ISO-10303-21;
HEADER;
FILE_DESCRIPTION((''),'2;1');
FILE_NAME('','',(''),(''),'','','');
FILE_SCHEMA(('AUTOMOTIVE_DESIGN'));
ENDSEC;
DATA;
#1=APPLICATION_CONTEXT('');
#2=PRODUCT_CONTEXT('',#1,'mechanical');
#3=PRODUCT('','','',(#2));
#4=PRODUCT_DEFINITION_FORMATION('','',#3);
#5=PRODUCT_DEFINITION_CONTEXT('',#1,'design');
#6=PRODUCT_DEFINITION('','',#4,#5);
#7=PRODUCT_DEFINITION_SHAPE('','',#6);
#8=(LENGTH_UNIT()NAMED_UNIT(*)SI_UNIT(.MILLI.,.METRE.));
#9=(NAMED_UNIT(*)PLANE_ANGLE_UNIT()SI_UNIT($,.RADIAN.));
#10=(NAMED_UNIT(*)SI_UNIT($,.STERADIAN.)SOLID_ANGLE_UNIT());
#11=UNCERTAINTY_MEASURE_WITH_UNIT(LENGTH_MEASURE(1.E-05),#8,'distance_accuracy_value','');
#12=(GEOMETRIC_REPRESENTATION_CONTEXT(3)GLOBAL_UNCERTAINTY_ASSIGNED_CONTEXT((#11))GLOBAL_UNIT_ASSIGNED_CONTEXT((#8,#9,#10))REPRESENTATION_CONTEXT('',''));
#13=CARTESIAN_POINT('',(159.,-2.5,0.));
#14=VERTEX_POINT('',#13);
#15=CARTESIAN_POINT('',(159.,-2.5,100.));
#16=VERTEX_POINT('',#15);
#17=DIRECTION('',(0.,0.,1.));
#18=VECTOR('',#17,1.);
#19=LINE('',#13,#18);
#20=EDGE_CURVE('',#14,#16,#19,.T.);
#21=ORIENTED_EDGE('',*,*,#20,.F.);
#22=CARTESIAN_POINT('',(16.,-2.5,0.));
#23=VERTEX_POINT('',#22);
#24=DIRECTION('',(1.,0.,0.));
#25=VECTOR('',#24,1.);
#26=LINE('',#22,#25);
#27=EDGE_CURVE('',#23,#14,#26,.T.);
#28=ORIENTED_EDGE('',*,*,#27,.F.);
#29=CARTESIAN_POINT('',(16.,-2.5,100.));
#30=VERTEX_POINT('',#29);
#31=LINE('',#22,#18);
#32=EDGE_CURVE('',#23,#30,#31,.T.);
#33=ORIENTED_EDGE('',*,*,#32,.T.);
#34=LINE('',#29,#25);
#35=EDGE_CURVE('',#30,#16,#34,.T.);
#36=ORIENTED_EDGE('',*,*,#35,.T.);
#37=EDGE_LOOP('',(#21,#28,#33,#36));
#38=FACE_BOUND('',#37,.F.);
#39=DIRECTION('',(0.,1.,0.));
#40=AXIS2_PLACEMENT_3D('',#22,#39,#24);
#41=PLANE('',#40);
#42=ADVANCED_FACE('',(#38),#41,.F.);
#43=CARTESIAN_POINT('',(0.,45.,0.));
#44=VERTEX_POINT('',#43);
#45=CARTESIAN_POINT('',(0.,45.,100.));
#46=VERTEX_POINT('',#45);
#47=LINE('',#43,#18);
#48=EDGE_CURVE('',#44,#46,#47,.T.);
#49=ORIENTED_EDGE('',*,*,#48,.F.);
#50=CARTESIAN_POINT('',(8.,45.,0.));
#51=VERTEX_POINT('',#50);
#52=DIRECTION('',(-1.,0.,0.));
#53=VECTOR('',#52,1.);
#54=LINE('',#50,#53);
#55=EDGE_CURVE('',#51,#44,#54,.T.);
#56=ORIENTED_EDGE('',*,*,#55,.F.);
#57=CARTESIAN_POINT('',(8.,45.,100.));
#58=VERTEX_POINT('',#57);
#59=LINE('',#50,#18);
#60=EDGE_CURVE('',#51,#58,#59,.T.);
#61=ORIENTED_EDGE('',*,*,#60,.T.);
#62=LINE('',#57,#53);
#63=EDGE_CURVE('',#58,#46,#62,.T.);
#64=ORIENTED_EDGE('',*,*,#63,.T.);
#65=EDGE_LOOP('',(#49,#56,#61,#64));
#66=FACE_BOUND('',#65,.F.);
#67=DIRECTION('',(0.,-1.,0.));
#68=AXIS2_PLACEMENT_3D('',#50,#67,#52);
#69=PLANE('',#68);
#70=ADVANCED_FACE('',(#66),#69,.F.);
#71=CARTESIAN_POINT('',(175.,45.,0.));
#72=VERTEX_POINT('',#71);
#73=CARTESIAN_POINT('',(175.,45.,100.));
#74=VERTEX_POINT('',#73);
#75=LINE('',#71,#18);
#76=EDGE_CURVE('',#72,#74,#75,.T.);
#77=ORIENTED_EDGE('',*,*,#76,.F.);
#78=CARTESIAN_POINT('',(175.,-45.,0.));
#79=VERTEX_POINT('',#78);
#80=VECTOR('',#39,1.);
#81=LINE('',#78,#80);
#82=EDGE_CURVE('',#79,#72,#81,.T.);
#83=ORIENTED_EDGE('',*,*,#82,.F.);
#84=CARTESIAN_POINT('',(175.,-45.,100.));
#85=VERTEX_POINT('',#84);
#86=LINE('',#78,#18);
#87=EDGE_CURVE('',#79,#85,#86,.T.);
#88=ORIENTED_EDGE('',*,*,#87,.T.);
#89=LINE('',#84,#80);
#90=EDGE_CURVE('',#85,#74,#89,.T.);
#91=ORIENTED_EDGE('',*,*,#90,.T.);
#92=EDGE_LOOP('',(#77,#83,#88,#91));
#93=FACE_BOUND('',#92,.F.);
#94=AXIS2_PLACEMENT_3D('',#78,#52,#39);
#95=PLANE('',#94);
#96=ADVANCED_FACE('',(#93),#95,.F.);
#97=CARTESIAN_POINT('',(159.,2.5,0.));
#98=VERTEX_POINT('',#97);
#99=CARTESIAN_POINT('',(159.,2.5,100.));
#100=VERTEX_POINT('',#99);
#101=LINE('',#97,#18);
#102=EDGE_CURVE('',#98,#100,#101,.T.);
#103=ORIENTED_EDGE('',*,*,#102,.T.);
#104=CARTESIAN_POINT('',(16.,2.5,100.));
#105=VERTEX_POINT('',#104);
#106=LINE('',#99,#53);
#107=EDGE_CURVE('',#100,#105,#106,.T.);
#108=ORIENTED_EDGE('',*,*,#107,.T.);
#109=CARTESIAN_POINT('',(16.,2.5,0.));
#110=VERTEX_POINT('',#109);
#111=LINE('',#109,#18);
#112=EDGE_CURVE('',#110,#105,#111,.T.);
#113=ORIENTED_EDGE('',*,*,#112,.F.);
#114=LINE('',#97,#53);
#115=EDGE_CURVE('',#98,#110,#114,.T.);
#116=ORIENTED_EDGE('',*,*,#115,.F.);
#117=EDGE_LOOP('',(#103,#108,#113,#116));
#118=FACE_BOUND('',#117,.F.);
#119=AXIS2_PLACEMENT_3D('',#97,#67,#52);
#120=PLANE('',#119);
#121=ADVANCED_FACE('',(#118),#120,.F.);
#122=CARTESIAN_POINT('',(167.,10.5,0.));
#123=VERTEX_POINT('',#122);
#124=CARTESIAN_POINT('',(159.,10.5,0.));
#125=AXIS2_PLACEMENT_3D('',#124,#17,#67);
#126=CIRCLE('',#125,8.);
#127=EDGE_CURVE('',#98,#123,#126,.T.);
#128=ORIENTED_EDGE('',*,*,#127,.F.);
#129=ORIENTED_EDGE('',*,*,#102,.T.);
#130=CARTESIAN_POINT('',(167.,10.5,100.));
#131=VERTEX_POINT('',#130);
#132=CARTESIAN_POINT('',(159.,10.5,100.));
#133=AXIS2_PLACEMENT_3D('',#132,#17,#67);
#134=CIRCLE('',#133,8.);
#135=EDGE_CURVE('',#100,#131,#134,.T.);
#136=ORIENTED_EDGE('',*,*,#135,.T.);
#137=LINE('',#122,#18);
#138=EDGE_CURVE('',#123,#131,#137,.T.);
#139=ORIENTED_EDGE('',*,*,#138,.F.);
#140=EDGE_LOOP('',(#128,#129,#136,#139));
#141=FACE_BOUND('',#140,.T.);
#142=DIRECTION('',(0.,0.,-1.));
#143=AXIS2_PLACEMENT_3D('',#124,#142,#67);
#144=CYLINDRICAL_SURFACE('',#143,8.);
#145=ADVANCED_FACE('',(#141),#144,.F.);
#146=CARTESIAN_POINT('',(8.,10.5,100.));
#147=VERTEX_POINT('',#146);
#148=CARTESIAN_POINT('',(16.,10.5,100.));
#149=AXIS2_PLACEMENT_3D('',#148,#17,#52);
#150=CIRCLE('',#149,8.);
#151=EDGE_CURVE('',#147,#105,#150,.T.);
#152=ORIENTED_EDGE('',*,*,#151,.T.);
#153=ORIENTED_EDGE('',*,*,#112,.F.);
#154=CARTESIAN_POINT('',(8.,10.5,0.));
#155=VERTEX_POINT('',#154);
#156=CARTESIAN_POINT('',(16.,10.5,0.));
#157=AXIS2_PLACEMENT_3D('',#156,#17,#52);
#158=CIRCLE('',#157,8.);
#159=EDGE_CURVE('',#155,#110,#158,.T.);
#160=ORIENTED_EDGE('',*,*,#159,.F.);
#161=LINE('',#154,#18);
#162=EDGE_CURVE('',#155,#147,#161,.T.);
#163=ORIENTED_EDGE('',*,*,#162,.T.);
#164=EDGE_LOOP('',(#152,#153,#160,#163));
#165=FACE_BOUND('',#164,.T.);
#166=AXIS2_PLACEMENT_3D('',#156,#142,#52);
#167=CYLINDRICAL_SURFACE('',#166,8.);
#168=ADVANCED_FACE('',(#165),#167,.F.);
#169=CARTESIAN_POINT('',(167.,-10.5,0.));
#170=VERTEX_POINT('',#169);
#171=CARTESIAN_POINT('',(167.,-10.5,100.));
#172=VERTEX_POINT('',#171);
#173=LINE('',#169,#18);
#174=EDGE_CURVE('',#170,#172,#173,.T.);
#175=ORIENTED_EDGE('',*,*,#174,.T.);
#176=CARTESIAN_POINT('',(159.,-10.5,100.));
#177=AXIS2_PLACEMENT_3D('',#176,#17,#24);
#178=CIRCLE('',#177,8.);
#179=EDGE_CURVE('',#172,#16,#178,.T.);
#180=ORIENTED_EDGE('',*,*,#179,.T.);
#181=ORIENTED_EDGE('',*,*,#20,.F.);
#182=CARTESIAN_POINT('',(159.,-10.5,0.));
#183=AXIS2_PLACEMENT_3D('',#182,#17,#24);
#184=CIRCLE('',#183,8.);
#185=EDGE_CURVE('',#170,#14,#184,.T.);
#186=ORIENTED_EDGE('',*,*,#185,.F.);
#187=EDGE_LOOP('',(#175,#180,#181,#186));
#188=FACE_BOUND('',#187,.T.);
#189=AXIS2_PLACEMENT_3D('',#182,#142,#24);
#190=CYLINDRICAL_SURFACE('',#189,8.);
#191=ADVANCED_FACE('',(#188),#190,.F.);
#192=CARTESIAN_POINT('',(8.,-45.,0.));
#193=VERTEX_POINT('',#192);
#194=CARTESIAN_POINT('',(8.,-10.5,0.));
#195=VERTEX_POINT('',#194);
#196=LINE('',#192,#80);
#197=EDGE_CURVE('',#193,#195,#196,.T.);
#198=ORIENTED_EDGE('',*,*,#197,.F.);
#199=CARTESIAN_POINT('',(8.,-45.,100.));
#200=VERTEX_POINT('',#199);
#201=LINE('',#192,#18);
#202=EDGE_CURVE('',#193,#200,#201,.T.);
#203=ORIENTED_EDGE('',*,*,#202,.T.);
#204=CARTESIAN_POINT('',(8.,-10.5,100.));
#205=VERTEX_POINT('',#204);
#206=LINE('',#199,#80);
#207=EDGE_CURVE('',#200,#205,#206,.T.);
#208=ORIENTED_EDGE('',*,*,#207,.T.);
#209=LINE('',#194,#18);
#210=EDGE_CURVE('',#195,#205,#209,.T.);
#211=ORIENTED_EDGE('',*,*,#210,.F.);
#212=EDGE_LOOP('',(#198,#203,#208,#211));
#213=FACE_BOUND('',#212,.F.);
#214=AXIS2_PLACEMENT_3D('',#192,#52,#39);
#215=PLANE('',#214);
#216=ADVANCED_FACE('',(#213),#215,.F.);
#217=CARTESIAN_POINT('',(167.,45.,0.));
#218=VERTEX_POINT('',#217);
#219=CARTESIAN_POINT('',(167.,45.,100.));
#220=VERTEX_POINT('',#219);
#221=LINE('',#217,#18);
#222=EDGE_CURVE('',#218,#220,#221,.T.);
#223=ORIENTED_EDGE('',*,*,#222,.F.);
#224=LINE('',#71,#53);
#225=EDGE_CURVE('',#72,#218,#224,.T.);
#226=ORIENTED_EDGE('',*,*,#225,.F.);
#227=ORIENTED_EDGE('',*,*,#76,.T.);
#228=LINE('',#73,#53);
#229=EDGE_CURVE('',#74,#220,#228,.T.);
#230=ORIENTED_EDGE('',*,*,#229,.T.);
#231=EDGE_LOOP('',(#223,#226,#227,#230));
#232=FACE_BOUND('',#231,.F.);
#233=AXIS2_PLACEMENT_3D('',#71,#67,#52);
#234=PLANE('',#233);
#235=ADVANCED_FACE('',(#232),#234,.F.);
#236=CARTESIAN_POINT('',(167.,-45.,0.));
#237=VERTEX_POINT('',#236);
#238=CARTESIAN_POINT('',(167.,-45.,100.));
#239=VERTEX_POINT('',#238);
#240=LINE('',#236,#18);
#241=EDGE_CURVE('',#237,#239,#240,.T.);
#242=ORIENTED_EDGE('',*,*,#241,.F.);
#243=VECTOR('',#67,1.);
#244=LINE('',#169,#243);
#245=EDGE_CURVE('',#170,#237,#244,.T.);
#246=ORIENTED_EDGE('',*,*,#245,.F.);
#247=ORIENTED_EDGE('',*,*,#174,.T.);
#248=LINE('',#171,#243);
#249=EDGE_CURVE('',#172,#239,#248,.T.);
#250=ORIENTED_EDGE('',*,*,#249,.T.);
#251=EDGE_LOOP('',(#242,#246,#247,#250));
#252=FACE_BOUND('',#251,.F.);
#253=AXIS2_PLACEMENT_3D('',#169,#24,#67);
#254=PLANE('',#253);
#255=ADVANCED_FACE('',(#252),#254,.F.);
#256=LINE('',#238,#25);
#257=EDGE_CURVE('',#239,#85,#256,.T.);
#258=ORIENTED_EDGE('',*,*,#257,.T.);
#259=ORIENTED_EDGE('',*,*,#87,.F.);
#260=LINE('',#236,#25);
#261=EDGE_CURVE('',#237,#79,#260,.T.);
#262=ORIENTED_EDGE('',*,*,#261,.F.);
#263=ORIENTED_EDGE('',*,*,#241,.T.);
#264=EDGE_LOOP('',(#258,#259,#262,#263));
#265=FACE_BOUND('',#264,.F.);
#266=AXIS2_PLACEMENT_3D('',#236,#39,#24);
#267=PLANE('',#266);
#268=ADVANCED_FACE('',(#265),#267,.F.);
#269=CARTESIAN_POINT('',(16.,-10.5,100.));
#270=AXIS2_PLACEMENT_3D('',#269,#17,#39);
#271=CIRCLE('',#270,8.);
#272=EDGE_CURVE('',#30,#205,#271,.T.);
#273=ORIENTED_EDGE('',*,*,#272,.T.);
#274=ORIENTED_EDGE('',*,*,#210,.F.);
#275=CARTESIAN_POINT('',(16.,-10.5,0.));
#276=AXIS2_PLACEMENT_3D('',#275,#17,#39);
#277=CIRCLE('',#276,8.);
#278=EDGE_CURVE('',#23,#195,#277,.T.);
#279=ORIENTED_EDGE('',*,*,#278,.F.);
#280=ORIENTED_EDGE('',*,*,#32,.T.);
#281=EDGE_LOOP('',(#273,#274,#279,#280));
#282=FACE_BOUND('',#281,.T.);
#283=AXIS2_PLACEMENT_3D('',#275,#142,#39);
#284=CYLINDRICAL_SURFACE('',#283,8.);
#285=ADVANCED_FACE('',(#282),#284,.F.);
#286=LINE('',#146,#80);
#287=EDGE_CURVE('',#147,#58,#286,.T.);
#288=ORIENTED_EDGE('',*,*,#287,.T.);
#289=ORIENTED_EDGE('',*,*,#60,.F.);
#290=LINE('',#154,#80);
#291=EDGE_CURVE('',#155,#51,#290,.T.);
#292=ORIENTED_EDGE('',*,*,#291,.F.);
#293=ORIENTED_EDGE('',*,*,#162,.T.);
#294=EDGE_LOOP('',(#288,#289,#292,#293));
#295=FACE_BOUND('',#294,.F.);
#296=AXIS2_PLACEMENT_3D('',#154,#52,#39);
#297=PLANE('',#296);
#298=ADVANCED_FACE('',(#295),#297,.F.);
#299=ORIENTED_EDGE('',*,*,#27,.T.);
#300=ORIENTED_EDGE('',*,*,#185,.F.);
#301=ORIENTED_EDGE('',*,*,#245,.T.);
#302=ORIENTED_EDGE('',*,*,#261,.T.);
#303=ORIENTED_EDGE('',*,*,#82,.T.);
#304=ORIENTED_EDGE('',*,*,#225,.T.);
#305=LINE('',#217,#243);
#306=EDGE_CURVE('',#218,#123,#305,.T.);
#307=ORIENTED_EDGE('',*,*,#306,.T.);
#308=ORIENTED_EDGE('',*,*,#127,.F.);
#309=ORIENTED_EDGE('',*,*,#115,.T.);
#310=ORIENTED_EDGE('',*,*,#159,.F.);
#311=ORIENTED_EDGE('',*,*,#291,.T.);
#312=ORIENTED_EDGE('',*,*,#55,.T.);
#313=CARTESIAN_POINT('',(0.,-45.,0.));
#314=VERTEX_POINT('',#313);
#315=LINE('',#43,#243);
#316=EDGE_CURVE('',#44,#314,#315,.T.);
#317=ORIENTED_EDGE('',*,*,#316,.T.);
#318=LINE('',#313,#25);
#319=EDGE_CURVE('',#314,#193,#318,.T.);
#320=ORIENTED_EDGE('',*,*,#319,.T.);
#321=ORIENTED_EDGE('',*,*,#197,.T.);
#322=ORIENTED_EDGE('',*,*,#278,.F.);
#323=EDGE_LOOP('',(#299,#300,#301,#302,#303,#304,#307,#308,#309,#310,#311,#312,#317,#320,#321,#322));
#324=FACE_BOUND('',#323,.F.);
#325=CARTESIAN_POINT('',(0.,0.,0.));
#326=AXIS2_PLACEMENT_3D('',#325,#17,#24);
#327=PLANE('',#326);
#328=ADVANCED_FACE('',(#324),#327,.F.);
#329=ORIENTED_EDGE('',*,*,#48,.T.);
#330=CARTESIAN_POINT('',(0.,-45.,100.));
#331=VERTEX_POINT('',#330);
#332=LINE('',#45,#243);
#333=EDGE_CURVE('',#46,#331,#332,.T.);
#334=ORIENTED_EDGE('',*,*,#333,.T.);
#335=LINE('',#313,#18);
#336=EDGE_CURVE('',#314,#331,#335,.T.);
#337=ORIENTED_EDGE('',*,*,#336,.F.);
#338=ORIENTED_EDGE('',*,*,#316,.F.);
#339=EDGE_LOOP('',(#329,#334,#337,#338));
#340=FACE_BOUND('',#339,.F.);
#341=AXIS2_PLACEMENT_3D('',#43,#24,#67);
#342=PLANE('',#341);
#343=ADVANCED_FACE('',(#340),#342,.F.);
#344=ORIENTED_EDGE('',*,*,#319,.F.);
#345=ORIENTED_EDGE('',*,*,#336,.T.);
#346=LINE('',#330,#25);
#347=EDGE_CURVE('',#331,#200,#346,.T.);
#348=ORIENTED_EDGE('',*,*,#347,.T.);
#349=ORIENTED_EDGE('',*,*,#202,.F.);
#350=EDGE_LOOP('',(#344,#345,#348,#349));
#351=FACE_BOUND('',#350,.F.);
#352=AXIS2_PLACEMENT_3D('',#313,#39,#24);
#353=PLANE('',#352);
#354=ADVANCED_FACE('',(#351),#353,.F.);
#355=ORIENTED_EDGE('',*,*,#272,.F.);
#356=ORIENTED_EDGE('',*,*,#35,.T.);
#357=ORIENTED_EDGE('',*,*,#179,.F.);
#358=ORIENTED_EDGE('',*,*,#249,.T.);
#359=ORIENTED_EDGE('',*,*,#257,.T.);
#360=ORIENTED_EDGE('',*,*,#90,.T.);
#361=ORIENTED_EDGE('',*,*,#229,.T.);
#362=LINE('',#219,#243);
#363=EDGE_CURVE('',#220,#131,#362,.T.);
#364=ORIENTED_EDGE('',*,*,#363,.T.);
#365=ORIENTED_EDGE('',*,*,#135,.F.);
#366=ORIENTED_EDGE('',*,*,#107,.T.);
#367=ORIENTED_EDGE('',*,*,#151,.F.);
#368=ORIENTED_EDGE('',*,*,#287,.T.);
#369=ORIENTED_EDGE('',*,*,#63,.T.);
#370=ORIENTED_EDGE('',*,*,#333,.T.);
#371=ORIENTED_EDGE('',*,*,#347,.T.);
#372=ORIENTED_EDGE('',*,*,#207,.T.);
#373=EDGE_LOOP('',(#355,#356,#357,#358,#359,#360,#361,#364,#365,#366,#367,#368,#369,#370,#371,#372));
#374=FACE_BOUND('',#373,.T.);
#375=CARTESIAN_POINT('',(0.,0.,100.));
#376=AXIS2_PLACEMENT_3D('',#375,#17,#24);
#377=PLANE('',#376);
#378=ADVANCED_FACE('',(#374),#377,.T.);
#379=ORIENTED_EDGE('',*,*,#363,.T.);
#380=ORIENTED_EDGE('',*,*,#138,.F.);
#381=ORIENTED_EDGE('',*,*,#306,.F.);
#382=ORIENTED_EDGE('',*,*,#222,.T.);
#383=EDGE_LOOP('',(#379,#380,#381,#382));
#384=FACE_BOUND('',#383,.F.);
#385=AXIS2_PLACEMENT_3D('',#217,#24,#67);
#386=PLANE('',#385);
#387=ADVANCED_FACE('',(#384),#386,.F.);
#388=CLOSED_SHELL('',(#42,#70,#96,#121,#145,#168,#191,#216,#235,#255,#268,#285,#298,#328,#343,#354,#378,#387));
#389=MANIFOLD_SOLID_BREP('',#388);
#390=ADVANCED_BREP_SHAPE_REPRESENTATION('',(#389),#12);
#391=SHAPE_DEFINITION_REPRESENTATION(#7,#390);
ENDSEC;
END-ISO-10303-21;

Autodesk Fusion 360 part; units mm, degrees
sketch "スケッチ1" plane through (0, 0, 0) normal (0, 0, 1) x (1, 0, 0)
  line L0 (159, 2.5) -> (16, 2.5)
  line L1 (16, -2.5) -> (159, -2.5)
  line L2 (0, 45) -> (0, -45)
  line L3 (8, -45) -> (8, -10.5)
  line L4 (0, -45) -> (8, -45)
  line L5 (8, 10.5) -> (8, 45)
  line L6 (8, 45) -> (0, 45)
  line L7 (175, -45) -> (175, 45)
  line L8 (167, -10.5) -> (167, -45)
  line L9 (167, -45) -> (175, -45)
  line L10 (167, 45) -> (167, 10.5)
  line L11 (175, 45) -> (167, 45)
  arc A0 (16, -2.5) -> (8, -10.5) centre (16, -10.5) ccw
  arc A1 (8, 10.5) -> (16, 2.5) centre (16, 10.5) ccw
  arc A2 (159, 2.5) -> (167, 10.5) centre (159, 10.5) ccw
  arc A3 (167, -10.5) -> (159, -2.5) centre (159, -10.5) ccw
extrude "押し出し1" add sketch "スケッチ1" along normal blind 100
